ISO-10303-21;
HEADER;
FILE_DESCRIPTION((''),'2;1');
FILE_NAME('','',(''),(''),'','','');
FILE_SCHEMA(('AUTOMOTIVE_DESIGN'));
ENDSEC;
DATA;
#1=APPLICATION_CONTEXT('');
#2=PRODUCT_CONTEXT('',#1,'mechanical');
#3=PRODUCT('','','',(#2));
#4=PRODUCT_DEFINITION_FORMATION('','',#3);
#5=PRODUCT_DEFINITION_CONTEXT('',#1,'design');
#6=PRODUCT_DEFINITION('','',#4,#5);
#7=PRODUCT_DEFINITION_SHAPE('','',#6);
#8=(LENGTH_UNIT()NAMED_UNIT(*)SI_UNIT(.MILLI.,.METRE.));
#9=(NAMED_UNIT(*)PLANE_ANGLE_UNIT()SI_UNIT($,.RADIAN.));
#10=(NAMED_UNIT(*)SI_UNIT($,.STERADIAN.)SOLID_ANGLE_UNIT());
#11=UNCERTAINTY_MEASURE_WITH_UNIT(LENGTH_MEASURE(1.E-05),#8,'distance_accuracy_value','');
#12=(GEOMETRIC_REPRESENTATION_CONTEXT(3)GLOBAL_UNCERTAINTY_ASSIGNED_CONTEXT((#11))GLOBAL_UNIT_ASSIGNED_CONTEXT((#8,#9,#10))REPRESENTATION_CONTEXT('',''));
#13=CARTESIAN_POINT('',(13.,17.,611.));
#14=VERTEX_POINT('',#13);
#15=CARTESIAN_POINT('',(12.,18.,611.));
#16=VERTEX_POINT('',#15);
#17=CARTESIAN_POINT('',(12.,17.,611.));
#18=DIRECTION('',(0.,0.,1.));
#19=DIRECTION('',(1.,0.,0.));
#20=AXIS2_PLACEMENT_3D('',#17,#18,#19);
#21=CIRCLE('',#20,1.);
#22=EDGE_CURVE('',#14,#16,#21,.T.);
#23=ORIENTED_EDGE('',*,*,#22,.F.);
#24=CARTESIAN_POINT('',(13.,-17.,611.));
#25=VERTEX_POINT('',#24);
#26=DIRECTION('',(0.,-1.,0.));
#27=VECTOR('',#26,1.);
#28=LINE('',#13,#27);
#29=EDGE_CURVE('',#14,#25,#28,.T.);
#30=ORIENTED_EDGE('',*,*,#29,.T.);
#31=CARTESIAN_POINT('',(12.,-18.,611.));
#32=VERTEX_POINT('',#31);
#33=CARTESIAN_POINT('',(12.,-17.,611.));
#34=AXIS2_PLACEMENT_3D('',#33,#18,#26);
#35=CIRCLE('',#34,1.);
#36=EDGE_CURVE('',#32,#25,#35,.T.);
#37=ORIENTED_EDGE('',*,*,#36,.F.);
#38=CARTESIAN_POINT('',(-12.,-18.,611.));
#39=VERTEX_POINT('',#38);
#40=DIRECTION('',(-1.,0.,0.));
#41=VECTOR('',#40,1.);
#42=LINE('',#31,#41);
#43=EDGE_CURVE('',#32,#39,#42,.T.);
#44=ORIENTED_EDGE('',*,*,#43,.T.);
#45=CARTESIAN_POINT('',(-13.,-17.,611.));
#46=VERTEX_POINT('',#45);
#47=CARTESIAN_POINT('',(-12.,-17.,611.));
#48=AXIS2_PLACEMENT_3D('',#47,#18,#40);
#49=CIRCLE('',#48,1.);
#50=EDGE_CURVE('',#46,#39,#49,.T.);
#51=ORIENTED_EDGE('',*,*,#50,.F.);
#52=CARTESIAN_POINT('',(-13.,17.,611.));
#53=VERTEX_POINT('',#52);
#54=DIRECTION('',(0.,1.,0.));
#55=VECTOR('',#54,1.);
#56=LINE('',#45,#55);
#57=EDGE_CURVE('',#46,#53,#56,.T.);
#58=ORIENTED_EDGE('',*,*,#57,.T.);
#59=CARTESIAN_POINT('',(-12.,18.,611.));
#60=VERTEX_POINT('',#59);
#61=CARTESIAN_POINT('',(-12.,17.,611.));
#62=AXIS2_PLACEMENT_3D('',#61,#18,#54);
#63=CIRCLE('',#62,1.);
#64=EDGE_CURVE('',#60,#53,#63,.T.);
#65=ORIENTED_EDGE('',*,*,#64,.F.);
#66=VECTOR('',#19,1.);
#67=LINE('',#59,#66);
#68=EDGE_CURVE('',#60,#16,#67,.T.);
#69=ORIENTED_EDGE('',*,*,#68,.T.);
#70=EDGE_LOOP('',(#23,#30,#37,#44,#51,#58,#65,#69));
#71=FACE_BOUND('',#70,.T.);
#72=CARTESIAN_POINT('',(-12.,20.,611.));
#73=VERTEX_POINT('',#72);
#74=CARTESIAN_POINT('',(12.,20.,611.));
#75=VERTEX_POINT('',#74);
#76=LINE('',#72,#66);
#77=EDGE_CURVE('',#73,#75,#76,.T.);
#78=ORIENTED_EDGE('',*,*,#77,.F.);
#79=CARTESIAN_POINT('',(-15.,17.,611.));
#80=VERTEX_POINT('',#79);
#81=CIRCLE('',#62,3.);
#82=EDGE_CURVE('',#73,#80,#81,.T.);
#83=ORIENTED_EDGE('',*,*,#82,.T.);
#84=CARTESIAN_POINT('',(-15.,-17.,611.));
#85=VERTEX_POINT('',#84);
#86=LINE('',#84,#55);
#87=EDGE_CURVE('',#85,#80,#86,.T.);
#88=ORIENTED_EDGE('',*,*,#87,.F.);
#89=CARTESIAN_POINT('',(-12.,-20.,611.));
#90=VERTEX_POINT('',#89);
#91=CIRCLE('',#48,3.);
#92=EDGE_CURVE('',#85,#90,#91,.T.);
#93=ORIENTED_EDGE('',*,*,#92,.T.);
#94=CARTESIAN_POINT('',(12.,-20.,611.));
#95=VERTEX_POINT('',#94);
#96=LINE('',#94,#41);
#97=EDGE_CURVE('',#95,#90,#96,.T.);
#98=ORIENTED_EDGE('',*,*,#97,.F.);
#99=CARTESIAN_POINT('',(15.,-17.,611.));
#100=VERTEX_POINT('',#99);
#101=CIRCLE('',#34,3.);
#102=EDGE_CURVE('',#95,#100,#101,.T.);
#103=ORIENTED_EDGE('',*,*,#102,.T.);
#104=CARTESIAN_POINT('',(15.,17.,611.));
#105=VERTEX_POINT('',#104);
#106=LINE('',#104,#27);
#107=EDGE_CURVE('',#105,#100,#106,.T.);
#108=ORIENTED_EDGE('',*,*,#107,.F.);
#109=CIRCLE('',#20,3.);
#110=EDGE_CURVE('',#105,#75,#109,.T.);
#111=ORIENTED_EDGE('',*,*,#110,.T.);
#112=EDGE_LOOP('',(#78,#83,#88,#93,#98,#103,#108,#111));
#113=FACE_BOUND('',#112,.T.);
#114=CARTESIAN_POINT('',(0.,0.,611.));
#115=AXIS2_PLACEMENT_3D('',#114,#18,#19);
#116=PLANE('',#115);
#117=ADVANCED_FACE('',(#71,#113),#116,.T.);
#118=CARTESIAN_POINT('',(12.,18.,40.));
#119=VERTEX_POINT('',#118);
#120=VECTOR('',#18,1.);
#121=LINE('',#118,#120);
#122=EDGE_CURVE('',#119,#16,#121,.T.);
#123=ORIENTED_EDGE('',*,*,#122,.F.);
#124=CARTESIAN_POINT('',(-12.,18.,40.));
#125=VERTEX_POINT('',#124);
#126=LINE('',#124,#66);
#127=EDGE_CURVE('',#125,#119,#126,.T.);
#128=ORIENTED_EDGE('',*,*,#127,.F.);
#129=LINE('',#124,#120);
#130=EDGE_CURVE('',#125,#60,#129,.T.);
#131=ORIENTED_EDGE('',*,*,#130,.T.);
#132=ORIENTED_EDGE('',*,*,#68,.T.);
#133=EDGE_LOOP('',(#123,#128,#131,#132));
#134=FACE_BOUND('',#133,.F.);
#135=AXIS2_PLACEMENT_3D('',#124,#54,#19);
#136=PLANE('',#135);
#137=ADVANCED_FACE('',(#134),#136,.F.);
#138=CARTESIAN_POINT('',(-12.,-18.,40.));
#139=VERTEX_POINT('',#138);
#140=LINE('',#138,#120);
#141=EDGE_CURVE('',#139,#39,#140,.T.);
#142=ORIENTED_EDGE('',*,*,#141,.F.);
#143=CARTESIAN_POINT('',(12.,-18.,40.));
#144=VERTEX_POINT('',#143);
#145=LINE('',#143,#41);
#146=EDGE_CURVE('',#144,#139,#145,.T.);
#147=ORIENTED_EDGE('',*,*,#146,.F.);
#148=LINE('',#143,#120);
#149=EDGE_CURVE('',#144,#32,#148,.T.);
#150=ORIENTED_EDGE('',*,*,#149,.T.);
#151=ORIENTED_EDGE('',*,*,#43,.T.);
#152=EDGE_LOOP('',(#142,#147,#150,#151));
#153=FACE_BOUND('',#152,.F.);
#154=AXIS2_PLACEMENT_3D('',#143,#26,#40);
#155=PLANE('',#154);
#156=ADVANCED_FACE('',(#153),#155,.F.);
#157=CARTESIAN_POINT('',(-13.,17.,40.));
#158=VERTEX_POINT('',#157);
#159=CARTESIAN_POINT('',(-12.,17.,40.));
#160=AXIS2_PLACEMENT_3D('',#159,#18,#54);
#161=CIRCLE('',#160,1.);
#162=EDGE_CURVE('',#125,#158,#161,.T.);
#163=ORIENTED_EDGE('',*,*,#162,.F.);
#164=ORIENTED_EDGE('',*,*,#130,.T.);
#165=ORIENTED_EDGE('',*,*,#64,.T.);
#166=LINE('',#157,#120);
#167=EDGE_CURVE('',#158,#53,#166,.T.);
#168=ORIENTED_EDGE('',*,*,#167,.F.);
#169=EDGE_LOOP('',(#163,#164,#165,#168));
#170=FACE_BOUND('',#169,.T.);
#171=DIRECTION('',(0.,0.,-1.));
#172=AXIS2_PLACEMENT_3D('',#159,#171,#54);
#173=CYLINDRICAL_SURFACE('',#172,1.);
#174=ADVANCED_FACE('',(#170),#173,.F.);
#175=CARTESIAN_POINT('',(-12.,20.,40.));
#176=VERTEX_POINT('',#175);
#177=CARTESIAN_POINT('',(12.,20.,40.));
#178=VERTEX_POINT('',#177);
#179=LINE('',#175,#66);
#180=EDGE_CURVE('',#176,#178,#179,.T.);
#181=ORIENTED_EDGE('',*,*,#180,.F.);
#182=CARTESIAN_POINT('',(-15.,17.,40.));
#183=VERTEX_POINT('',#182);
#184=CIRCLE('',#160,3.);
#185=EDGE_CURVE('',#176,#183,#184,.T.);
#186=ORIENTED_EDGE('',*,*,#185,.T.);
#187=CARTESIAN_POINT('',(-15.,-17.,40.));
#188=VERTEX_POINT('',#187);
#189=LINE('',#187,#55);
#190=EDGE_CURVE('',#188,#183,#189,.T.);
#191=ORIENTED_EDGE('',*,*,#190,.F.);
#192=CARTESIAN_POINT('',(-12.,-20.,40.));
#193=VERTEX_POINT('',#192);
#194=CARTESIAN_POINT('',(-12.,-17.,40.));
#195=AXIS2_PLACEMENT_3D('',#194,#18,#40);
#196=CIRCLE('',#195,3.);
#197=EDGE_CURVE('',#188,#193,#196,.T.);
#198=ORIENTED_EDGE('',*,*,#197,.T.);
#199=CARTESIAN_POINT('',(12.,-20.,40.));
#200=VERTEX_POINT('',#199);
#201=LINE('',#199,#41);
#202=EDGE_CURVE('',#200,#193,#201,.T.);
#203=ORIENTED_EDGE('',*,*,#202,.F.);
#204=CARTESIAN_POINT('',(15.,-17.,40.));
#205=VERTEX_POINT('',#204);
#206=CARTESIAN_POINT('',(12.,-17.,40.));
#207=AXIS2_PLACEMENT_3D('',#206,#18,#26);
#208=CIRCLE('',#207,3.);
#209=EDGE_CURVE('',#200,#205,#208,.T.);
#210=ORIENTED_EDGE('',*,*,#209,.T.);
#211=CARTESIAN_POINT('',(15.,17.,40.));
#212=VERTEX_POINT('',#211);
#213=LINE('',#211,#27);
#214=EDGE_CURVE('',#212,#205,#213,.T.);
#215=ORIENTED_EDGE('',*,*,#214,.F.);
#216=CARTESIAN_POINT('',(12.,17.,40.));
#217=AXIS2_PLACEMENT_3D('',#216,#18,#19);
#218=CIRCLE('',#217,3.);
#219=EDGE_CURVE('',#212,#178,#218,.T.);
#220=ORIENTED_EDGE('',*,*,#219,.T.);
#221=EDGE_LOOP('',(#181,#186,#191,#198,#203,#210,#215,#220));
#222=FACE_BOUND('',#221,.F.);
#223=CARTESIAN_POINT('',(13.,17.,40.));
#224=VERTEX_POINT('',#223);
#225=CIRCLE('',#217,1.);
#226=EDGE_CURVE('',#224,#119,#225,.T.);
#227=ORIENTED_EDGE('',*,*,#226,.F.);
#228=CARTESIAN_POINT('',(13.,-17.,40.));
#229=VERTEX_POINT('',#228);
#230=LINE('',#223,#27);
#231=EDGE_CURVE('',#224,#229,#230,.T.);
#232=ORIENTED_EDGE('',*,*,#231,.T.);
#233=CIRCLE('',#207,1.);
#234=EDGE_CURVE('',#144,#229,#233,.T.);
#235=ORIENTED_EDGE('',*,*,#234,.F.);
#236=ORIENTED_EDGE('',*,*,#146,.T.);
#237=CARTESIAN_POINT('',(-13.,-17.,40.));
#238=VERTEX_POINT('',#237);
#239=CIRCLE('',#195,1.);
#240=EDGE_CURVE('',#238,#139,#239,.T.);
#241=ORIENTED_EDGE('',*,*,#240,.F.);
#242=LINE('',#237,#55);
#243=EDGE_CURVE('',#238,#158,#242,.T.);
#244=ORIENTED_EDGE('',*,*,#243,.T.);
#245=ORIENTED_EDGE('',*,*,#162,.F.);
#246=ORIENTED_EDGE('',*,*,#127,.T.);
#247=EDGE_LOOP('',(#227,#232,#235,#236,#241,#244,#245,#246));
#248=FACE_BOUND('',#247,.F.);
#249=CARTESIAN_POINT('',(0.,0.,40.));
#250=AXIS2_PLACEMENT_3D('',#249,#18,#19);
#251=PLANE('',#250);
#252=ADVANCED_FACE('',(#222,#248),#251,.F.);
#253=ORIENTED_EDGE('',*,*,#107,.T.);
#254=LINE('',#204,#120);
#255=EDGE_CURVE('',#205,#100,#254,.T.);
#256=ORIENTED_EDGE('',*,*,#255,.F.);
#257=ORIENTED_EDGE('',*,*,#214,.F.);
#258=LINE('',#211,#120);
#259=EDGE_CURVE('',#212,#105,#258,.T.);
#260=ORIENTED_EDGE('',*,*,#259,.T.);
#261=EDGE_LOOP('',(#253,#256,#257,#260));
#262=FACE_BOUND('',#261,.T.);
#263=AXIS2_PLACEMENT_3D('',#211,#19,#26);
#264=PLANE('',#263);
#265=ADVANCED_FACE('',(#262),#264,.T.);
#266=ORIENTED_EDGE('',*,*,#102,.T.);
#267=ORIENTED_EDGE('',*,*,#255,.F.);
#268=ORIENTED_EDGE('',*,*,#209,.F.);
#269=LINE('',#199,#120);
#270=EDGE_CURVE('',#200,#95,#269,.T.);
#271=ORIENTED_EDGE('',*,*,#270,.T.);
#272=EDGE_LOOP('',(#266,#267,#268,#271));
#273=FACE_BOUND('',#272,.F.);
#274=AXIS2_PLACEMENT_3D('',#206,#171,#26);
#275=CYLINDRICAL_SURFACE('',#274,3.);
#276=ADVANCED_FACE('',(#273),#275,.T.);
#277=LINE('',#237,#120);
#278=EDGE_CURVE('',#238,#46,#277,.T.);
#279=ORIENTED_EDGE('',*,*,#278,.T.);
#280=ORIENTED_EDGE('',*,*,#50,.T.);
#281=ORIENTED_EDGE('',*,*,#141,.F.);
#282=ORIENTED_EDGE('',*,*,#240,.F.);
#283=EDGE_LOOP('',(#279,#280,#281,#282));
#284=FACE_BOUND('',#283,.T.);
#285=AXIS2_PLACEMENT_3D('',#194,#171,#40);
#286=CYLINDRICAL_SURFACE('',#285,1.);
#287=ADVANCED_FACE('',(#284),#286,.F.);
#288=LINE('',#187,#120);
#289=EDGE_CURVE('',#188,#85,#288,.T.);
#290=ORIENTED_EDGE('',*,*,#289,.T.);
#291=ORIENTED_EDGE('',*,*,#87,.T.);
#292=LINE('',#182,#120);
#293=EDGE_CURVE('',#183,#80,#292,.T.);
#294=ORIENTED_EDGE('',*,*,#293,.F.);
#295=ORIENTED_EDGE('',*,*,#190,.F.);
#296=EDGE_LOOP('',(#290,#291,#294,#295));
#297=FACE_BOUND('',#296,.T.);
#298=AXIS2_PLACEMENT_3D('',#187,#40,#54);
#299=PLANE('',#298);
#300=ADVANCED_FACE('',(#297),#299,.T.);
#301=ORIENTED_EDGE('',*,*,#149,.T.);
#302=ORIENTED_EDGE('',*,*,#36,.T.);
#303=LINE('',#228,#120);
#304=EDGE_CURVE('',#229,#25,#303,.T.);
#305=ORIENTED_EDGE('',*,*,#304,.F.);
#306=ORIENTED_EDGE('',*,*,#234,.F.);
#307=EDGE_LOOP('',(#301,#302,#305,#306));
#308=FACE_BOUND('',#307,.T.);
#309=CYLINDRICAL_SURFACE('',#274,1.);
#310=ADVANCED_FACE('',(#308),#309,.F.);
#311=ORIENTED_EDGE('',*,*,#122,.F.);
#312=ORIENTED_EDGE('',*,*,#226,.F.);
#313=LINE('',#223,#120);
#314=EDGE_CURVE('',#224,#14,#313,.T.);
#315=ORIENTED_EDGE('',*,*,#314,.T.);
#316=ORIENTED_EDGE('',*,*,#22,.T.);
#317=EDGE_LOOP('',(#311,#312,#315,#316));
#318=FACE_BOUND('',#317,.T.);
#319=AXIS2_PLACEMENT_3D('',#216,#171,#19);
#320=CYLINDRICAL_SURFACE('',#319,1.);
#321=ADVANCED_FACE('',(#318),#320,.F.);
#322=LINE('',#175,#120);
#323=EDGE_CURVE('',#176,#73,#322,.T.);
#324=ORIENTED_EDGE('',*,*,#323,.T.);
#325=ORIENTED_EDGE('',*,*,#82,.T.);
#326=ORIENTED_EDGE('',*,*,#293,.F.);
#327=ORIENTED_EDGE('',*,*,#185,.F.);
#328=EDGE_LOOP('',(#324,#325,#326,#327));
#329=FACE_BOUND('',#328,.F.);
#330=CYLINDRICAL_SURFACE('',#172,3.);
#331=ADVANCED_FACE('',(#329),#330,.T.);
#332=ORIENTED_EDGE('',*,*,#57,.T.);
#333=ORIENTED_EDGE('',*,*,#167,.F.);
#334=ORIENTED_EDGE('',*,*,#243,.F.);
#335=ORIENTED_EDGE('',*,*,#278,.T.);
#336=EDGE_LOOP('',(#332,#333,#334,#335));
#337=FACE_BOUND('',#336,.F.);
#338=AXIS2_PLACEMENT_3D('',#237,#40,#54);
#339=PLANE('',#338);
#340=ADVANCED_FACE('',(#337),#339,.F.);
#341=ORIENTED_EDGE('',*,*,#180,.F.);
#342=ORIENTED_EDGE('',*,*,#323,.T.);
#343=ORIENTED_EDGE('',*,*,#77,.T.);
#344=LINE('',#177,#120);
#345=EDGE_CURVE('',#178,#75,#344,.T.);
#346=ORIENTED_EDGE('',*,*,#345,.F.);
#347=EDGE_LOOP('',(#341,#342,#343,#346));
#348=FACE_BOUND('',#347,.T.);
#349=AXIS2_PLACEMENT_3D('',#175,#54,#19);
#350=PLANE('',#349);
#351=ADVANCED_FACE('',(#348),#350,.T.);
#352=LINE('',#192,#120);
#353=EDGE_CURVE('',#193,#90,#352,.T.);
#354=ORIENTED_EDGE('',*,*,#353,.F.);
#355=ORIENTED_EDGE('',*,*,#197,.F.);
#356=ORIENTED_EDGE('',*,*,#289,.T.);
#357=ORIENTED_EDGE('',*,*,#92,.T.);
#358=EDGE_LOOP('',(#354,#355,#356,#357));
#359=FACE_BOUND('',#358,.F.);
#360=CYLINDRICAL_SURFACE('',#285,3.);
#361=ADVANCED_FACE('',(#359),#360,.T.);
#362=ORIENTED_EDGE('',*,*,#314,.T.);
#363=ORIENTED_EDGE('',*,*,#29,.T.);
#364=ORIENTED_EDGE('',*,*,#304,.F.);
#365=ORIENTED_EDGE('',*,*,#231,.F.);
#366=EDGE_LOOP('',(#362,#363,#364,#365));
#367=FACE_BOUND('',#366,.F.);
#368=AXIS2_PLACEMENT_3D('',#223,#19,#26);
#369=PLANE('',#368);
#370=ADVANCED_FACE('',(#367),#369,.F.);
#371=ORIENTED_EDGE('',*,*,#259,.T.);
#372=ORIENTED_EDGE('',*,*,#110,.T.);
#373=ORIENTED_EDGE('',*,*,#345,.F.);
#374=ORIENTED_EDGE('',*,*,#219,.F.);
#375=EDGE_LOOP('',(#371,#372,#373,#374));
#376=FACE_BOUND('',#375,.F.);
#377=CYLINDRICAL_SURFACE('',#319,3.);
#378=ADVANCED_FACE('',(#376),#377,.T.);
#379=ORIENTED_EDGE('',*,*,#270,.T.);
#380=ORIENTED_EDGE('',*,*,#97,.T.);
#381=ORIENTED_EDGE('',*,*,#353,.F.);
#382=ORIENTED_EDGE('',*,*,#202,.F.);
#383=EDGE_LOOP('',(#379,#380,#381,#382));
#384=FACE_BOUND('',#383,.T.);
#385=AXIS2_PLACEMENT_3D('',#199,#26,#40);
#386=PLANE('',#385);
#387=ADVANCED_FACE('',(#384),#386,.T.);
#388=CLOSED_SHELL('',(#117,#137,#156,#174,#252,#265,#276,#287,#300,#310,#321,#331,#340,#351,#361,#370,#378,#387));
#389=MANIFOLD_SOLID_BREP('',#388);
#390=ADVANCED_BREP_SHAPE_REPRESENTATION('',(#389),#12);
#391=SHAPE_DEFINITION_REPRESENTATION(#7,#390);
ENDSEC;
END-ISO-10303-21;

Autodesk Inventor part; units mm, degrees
ref_plane "Start plane" through (0, 0, 40) normal (0, 0, 1) x (1, 0, 0)
ref_plane "End plane" through (0, 0, 611) normal (0, 0, 1) x (1, 0, 0)
sketch "Sketch" plane through (0, 0, 0) normal (0, 0, 1) x (1, 0, 0)
  line L0 (-15, -17) -> (-15, 17)
  line L1 (-12, 20) -> (12, 20)
  line L2 (15, 17) -> (15, -17)
  line L3 (12, -20) -> (-12, -20)
  arc A0 (-15, -17) -> (-12, -20) centre (-12, -17) ccw
  arc A1 (-12, 20) -> (-15, 17) centre (-12, 17) ccw
  arc A2 (15, 17) -> (12, 20) centre (12, 17) ccw
  arc A3 (12, -20) -> (15, -17) centre (12, -17) ccw
  arc A4 (-12, 18) -> (-13, 17) centre (-12, 17) ccw
  line L4 (-12, 18) -> (12, 18)
  arc A5 (13, 17) -> (12, 18) centre (12, 17) ccw
  line L5 (13, 17) -> (13, -17)
  arc A6 (12, -18) -> (13, -17) centre (12, -17) ccw
  line L6 (12, -18) -> (-12, -18)
  arc A7 (-13, -17) -> (-12, -18) centre (-12, -17) ccw
  line L7 (-13, -17) -> (-13, 17)
  line L8 (0, 28.8698) -> (0, -28.8698) construction
  line L9 (-14.8698, 0) -> (14.8698, 0) construction
  dimension "d7" = 3
  dimension "d10" = 40
  dimension "d11" = 30
  dimension "d12" = 2
  dimension "d15" = 20
  dimension "d16" = 15
extrude "Body" add sketch "Sketch" along normal up to surface (571 mm away) from surface at 40
sketch "Sketch3" plane through (0, 0, 0) normal (0, 0, 1) x (1, 0, 0)
  line L0 (0, 0) -> (10, 0)
ref_plane "Work Plane3" through (0, 0, 0) normal (0, -1, 0) x (1, 0, 0)
sketch "Sketch4" plane through (0, 0, 0) normal (0, -1, 0) x (1, 0, 0)
  line L0 (-2, 40) -> (12, 40)
  line L1 (-2, 611) -> (12, 611)
  dimension "d18" = 571
ref_plane "Work Plane4" through (-7, 390, 40) normal (0, 0, -1) x (-1, 0, 0)
split "Split1" plane through (-7, 390, 40) removes the side toward (0, 0, -1)
ref_plane "Work Plane5" through (7, 620, 611) normal (0, 0, 1) x (1, 0, 0)
split "Split2" plane through (7, 620, 611) removes the side toward (0, 0, 1)
equation "\"d7\" = G_IR"
equation "\"d10\" = G_H"
equation "\"d11\" = G_W"
equation "\"d12\" = G_T"
equation "\"d15\" = 0.5 * d10"
equation "\"d16\" = 0.5 * d11"
equation "\"d3\" = G_L"
equation "\"G_W\" = 30"
equation "\"G_H\" = 40"
equation "\"G_T\" = 2"
equation "\"G_IR\" = 3"
equation "\"G_L\" = d18"
equation "\"G_OFFSET_START\" = -40"
equation "\"G_OFFSET_END\" = -40"
equation "\"d13\" = -G_OFFSET_START"
equation "\"d14\" = G_OFFSET_END + B_L"
equation "\"B_L\" = 651"
properties part number "UNI EN 10305-5 - 40 x 30 x 2  - 571" material "Steel, Mild"
